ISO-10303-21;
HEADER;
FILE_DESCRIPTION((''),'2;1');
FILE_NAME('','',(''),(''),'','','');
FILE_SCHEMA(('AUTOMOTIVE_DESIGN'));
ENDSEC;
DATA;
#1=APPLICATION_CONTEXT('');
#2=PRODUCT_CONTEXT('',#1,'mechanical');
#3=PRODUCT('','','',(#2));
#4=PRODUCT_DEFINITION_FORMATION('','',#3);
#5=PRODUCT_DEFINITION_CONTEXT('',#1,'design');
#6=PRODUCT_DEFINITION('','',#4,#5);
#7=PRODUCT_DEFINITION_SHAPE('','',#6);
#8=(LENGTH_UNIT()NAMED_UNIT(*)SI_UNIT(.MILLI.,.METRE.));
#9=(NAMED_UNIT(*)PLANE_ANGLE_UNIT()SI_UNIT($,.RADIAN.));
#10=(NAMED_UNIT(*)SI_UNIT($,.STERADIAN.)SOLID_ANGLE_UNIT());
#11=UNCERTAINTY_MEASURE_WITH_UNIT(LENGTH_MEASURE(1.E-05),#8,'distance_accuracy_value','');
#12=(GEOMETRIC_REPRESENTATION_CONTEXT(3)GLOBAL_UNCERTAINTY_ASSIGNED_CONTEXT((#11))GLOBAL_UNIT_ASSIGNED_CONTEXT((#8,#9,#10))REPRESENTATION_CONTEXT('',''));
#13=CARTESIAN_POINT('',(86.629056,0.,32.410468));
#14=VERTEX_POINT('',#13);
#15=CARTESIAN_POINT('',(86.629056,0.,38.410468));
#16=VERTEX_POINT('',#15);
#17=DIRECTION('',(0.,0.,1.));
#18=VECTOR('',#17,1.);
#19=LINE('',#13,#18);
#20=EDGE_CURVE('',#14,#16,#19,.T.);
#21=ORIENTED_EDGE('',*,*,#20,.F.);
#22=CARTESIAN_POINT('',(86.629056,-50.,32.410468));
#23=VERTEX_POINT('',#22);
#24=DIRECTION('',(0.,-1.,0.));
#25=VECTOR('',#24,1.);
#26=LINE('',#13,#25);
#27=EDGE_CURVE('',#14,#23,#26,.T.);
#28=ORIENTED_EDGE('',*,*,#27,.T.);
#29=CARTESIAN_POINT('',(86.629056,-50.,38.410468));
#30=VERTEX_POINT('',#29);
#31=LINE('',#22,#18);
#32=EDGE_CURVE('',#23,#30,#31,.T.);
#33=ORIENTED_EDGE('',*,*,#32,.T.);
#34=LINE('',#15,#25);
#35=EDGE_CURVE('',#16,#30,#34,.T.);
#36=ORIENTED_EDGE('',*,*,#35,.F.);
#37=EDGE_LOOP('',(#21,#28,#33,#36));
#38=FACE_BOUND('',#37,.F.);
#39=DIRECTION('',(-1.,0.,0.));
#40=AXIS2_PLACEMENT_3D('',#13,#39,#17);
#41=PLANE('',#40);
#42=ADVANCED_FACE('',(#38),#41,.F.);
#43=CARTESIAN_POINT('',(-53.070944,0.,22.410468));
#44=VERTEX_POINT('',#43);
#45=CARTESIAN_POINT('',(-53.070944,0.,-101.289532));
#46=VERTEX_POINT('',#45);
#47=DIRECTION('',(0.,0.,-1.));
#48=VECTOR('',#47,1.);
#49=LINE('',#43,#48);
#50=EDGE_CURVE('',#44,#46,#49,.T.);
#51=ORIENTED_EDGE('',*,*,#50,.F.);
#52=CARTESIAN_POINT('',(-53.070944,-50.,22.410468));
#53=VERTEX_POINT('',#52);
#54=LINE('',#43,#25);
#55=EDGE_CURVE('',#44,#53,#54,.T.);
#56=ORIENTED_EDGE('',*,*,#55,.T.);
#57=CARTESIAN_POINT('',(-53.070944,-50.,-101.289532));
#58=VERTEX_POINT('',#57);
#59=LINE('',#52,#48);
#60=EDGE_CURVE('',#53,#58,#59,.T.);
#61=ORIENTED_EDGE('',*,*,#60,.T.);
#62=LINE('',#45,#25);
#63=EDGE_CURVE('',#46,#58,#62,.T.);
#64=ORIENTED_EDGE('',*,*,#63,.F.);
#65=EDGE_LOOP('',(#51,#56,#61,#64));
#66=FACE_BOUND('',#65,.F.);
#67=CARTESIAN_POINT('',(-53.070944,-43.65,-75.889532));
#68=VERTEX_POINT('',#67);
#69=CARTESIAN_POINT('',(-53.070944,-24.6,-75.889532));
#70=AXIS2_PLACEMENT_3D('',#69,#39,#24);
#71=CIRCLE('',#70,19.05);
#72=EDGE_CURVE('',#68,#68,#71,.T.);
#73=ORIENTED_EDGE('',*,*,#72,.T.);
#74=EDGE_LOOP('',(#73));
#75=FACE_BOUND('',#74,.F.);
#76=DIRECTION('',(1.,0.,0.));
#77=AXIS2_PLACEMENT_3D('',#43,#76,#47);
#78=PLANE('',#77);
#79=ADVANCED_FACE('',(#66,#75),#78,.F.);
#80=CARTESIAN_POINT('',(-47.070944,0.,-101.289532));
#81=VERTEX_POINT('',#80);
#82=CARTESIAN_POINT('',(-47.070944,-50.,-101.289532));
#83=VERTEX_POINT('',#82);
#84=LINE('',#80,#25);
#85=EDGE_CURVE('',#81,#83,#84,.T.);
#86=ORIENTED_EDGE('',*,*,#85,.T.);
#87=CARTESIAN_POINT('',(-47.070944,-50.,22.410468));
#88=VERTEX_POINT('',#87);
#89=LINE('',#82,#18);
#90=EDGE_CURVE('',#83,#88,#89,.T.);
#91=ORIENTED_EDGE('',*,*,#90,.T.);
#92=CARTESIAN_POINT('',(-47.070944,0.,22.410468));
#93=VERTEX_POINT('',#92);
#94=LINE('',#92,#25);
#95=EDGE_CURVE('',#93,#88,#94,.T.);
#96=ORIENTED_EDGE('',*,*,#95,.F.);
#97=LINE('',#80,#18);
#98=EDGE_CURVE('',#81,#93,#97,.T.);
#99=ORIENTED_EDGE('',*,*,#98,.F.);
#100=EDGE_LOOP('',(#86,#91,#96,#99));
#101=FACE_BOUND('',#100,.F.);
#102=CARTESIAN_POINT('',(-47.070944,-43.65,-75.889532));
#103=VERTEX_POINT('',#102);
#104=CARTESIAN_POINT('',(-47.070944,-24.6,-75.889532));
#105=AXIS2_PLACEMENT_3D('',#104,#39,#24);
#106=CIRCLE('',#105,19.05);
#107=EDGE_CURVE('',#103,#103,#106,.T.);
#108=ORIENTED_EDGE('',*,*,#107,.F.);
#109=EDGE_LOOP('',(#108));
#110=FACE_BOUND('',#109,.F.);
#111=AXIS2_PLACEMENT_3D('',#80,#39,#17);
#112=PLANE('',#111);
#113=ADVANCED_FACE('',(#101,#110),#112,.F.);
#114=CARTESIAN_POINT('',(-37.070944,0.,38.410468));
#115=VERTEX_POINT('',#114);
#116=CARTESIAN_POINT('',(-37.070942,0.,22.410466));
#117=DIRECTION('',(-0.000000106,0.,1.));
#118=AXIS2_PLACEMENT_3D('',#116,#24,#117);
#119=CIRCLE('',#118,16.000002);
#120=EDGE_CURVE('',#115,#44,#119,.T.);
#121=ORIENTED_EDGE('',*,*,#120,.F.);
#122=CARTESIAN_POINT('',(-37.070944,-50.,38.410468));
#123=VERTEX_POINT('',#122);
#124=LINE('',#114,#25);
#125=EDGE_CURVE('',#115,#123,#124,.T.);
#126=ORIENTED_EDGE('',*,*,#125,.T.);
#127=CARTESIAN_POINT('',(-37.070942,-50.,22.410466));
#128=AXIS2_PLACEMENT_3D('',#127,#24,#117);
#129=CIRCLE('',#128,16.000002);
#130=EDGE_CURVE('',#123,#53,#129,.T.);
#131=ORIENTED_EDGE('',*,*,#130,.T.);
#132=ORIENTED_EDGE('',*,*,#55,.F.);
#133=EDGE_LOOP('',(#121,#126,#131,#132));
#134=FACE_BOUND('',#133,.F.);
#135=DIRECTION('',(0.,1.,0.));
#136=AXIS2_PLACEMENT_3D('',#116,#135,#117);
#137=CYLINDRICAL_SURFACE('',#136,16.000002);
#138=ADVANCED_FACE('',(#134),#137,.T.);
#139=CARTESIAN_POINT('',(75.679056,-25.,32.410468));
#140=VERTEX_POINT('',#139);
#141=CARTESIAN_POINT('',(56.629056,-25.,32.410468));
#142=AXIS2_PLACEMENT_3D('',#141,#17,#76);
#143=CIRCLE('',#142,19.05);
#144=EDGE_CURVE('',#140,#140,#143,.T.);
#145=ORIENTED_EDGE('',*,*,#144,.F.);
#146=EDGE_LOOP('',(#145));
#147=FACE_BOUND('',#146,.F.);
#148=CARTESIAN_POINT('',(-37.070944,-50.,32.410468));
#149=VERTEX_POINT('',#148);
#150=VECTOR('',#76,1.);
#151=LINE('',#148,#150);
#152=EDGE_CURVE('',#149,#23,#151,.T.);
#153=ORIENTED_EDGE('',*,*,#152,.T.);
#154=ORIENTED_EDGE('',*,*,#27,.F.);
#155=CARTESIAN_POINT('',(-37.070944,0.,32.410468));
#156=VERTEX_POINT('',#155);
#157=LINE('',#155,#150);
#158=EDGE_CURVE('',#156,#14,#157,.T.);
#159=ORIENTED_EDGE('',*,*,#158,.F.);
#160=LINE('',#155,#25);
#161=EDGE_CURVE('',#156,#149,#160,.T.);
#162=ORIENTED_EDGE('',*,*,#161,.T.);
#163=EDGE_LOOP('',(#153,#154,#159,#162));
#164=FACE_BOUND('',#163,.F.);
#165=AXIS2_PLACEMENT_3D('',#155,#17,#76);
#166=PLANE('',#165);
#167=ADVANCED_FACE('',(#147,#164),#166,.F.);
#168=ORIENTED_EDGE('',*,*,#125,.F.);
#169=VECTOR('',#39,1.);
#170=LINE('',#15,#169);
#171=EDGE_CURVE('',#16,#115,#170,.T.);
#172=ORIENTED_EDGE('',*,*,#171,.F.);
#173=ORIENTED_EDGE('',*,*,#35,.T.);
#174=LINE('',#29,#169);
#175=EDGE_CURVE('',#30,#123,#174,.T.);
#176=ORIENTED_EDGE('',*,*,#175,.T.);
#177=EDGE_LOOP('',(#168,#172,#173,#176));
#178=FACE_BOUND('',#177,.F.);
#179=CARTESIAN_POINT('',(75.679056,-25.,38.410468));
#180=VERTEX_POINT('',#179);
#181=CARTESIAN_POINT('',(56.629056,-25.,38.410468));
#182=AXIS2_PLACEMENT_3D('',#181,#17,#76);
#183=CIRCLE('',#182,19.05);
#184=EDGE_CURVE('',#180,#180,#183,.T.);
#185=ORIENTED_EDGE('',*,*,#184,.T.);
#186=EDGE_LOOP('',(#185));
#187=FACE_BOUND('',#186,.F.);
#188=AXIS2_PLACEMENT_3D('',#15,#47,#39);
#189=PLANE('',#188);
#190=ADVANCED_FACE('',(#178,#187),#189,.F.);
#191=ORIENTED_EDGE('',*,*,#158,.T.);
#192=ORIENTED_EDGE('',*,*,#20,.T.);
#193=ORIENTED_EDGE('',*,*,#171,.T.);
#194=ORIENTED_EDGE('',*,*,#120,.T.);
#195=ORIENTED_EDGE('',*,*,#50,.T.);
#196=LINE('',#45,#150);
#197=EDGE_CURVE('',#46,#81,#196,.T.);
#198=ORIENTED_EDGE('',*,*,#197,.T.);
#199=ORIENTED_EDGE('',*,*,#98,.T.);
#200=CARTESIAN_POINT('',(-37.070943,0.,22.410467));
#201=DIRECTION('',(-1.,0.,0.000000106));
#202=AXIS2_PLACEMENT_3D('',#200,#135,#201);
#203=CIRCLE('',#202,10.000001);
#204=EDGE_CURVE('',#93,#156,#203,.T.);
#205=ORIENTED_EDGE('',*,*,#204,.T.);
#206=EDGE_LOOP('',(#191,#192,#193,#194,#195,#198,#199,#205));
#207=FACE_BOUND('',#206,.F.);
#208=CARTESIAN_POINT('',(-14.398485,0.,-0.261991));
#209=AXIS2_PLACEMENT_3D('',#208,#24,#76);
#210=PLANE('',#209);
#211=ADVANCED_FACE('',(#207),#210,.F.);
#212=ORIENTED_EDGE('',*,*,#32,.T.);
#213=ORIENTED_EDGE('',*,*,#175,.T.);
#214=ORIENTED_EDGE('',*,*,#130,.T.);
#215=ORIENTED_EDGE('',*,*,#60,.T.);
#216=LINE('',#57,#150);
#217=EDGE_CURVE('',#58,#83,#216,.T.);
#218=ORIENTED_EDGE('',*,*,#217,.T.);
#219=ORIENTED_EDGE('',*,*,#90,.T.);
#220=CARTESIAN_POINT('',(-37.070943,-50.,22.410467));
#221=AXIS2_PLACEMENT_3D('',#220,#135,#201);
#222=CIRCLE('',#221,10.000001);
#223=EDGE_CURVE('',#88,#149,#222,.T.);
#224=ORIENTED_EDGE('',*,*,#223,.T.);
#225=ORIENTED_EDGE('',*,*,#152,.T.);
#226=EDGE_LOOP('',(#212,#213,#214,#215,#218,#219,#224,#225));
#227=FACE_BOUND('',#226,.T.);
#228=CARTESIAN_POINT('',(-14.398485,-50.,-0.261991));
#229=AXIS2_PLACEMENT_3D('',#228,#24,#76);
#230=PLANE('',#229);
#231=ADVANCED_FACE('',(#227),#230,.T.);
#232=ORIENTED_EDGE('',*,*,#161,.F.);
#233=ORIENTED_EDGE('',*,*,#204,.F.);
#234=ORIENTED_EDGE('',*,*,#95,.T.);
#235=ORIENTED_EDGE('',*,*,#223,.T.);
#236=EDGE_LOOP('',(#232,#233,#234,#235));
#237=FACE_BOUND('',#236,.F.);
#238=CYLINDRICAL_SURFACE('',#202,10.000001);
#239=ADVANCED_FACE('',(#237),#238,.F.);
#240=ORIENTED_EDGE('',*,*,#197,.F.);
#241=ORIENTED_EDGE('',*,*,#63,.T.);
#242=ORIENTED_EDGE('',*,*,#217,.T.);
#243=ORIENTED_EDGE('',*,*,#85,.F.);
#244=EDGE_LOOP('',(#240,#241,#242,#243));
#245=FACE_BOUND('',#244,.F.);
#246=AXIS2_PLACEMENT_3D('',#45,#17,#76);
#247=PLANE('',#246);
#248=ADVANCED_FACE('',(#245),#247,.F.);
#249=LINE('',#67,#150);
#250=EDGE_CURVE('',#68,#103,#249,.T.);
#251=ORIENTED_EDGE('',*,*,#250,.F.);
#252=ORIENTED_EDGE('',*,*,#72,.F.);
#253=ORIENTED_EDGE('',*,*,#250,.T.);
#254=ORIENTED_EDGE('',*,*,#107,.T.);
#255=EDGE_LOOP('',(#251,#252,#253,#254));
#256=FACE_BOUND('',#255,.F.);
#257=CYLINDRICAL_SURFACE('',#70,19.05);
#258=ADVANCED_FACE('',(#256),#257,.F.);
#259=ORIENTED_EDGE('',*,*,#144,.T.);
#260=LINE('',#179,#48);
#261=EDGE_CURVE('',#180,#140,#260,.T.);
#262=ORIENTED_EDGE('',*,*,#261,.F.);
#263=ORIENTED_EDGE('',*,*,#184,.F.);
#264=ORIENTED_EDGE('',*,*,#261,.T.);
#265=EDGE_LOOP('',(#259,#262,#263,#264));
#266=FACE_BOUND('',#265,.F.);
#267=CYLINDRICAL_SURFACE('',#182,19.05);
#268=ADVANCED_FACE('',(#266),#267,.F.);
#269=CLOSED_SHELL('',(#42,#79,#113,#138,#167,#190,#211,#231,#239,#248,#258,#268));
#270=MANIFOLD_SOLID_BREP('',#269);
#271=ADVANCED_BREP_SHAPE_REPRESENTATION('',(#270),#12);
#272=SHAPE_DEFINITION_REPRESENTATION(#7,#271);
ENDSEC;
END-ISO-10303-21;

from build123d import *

# Parameters (mm, degrees)
F1_DEPTH = 50
F2_R     = 19.05
F3_DEPTH = 25
F4_R     = 19.05
F5_DEPTH = 25


with BuildPart() as f1:
    # F0 (on Front) → F1 (new body)
    with BuildSketch(Plane.XZ):
        with BuildLine():
            Line((-53.070944, 22.410468), (-53.070944, -101.289532))
            Line((-53.070944, -101.289532), (-47.070944, -101.289532))
            Line((-47.070944, -101.289532), (-47.070944, 22.410468))
            ThreePointArc((-47.070944, 22.410468), (-44.142012, 29.481535), (-37.070944, 32.410468))
            Line((-37.070944, 32.410468), (86.629056, 32.410468))
            Line((86.629056, 32.410468), (86.629056, 38.410468))
            Line((86.629056, 38.410468), (-37.070944, 38.410468))
            ThreePointArc((-37.070944, 38.410468), (-48.384652, 33.724176), (-53.070944, 22.410468))
        make_face()
    extrude(amount=F1_DEPTH)

    # F2 (on face) → F3 (cut)
    with BuildSketch(Plane.XY.offset(38.410468)):
        with Locations((56.629056, -25)):
            Circle(F2_R)
    extrude(amount=-F3_DEPTH, mode=Mode.SUBTRACT)

    # F4 (on face) → F5 (cut)
    with BuildSketch(Plane(origin=(-53.070944, 0, 0), x_dir=(0, -1, 0), z_dir=(-1, 0, 0))):
        with Locations((24.6, -75.889532)):
            Circle(F4_R)
    extrude(amount=-F5_DEPTH, mode=Mode.SUBTRACT)


solid = f1.part
